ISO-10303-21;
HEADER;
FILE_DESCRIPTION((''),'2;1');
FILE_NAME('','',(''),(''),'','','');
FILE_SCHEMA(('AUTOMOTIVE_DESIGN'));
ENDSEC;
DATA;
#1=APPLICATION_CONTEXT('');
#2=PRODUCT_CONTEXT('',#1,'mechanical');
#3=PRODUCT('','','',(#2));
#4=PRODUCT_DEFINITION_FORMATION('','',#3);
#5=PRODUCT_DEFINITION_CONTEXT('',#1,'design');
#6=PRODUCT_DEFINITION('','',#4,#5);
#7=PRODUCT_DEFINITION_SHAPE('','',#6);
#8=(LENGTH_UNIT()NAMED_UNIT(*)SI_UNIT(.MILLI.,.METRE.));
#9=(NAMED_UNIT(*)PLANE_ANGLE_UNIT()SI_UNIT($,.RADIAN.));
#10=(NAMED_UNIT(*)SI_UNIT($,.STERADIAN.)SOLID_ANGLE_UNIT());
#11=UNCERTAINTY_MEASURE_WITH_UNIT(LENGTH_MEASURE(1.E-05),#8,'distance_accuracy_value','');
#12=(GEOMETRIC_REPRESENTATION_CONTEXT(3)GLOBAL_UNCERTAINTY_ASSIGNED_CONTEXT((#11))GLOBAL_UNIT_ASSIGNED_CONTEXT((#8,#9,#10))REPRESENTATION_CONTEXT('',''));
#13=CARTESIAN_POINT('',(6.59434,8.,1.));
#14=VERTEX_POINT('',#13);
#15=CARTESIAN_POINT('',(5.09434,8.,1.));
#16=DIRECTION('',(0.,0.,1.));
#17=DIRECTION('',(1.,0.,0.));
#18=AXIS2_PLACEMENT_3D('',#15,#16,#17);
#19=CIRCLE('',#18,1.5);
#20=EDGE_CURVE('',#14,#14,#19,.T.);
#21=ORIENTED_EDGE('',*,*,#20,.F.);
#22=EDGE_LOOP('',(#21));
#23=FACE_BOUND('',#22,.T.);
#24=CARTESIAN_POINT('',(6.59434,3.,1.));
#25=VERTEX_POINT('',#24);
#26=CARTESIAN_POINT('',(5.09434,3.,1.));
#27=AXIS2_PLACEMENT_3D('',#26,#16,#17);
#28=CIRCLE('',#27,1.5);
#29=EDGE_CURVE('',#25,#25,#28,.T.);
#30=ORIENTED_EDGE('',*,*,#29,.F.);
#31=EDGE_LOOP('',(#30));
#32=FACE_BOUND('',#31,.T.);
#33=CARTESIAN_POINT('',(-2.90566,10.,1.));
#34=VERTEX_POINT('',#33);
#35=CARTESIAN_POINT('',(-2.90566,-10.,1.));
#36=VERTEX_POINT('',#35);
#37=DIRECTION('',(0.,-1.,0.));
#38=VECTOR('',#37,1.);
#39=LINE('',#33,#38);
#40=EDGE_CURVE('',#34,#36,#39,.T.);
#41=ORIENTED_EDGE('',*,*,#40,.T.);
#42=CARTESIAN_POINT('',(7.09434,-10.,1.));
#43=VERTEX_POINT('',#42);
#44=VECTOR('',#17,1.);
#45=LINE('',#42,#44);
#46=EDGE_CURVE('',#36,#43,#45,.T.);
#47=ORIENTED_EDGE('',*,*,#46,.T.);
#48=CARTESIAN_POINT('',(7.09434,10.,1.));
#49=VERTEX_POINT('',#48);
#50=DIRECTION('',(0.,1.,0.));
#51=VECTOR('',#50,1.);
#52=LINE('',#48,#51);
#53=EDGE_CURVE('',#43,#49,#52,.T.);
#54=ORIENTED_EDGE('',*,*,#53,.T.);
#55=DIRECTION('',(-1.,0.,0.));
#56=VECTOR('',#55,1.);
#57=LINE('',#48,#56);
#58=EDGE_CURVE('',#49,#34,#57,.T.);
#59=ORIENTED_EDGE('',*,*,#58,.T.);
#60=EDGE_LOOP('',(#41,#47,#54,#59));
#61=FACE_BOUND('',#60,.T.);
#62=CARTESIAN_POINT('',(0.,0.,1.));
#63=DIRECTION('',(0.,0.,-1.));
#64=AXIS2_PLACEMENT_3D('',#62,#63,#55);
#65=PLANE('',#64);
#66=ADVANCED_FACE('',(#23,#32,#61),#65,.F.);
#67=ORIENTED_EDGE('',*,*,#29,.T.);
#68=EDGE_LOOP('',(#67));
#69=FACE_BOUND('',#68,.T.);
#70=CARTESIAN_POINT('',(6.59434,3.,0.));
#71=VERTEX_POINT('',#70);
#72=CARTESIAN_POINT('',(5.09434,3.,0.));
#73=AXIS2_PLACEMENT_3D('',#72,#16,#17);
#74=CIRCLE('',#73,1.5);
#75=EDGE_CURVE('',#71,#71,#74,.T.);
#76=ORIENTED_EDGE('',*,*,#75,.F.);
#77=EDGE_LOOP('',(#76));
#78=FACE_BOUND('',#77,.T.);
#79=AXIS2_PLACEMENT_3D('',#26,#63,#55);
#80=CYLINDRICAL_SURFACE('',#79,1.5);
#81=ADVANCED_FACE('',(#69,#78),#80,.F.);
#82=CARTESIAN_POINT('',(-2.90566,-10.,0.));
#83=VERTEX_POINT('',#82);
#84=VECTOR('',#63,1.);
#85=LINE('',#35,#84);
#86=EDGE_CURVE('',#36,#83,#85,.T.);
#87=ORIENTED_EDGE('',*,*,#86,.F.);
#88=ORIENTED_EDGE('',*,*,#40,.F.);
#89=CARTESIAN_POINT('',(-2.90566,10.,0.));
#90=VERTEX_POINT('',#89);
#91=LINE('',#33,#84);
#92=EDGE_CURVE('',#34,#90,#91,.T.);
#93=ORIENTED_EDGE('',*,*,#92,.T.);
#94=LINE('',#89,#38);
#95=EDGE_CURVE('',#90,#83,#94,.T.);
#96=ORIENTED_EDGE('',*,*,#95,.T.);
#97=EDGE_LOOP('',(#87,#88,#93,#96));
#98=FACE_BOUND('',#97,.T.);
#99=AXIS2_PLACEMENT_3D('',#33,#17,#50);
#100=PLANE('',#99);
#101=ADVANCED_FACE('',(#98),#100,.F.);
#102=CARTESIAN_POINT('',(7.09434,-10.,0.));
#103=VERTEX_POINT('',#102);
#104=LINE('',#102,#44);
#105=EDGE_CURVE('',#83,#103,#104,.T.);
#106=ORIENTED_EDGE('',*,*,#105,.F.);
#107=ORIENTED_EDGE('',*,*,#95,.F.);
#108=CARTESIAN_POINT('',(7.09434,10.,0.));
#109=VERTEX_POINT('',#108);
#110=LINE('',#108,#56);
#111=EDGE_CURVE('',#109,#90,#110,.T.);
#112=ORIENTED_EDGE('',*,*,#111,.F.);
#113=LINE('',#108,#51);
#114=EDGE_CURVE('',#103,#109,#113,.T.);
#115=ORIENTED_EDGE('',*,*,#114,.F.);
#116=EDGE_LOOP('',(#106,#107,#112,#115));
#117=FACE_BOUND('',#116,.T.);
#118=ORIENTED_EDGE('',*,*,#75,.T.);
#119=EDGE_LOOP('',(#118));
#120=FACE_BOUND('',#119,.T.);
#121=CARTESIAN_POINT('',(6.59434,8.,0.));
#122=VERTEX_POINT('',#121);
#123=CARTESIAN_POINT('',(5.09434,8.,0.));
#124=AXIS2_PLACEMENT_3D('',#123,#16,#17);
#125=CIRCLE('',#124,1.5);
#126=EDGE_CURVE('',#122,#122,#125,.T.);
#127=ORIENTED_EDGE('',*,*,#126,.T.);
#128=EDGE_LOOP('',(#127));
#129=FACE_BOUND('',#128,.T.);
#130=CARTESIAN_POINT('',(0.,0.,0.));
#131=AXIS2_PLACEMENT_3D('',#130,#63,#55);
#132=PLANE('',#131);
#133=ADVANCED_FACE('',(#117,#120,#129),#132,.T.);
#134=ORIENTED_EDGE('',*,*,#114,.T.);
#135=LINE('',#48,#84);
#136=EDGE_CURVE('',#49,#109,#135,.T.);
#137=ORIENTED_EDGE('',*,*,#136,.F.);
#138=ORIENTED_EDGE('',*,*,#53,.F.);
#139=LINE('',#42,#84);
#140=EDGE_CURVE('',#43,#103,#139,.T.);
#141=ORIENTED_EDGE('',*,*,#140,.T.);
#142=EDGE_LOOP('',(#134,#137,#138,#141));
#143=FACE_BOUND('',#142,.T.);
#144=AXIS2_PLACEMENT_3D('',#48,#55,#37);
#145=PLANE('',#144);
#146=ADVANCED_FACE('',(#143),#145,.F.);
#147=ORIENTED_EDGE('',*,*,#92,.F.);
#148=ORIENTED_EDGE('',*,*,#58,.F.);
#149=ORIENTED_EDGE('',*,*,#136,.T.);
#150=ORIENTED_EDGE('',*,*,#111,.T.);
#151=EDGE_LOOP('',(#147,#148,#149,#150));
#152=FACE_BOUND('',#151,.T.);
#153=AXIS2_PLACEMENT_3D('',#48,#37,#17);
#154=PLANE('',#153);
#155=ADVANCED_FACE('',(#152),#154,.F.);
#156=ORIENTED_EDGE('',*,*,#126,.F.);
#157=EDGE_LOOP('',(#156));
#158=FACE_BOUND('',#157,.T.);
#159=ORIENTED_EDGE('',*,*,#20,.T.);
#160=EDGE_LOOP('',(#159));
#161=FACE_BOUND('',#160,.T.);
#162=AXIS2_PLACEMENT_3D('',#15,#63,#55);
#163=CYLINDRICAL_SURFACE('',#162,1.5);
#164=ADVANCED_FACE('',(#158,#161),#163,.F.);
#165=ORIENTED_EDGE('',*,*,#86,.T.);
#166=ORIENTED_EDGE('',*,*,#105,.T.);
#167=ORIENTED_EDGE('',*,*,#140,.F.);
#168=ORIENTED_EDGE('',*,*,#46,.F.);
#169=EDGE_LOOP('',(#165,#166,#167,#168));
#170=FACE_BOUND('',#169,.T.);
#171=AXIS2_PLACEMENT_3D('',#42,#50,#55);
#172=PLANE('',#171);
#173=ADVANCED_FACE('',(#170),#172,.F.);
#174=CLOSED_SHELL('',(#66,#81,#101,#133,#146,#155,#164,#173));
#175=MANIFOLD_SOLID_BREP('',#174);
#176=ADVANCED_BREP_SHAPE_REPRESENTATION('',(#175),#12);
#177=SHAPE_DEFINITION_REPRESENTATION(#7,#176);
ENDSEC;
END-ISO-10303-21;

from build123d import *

# Parameters (mm, degrees)
SKETCH_1_W      = 10
SKETCH_1_H      = 20
SKETCH_1_R      = 1.5
EXTRUDE_1_DEPTH = 1


with BuildPart() as part:
    # 草图1 → 凸台-拉伸1 (new body)
    with BuildSketch(Plane.XY):
        with Locations((2.094339623, 0)):
            Rectangle(SKETCH_1_W, SKETCH_1_H)
        with Locations((5.094339623, 8)):
            Circle(SKETCH_1_R, mode=Mode.SUBTRACT)
        with Locations((5.094339623, 3)):
            Circle(SKETCH_1_R, mode=Mode.SUBTRACT)
    extrude(amount=EXTRUDE_1_DEPTH)


solid = part.part
